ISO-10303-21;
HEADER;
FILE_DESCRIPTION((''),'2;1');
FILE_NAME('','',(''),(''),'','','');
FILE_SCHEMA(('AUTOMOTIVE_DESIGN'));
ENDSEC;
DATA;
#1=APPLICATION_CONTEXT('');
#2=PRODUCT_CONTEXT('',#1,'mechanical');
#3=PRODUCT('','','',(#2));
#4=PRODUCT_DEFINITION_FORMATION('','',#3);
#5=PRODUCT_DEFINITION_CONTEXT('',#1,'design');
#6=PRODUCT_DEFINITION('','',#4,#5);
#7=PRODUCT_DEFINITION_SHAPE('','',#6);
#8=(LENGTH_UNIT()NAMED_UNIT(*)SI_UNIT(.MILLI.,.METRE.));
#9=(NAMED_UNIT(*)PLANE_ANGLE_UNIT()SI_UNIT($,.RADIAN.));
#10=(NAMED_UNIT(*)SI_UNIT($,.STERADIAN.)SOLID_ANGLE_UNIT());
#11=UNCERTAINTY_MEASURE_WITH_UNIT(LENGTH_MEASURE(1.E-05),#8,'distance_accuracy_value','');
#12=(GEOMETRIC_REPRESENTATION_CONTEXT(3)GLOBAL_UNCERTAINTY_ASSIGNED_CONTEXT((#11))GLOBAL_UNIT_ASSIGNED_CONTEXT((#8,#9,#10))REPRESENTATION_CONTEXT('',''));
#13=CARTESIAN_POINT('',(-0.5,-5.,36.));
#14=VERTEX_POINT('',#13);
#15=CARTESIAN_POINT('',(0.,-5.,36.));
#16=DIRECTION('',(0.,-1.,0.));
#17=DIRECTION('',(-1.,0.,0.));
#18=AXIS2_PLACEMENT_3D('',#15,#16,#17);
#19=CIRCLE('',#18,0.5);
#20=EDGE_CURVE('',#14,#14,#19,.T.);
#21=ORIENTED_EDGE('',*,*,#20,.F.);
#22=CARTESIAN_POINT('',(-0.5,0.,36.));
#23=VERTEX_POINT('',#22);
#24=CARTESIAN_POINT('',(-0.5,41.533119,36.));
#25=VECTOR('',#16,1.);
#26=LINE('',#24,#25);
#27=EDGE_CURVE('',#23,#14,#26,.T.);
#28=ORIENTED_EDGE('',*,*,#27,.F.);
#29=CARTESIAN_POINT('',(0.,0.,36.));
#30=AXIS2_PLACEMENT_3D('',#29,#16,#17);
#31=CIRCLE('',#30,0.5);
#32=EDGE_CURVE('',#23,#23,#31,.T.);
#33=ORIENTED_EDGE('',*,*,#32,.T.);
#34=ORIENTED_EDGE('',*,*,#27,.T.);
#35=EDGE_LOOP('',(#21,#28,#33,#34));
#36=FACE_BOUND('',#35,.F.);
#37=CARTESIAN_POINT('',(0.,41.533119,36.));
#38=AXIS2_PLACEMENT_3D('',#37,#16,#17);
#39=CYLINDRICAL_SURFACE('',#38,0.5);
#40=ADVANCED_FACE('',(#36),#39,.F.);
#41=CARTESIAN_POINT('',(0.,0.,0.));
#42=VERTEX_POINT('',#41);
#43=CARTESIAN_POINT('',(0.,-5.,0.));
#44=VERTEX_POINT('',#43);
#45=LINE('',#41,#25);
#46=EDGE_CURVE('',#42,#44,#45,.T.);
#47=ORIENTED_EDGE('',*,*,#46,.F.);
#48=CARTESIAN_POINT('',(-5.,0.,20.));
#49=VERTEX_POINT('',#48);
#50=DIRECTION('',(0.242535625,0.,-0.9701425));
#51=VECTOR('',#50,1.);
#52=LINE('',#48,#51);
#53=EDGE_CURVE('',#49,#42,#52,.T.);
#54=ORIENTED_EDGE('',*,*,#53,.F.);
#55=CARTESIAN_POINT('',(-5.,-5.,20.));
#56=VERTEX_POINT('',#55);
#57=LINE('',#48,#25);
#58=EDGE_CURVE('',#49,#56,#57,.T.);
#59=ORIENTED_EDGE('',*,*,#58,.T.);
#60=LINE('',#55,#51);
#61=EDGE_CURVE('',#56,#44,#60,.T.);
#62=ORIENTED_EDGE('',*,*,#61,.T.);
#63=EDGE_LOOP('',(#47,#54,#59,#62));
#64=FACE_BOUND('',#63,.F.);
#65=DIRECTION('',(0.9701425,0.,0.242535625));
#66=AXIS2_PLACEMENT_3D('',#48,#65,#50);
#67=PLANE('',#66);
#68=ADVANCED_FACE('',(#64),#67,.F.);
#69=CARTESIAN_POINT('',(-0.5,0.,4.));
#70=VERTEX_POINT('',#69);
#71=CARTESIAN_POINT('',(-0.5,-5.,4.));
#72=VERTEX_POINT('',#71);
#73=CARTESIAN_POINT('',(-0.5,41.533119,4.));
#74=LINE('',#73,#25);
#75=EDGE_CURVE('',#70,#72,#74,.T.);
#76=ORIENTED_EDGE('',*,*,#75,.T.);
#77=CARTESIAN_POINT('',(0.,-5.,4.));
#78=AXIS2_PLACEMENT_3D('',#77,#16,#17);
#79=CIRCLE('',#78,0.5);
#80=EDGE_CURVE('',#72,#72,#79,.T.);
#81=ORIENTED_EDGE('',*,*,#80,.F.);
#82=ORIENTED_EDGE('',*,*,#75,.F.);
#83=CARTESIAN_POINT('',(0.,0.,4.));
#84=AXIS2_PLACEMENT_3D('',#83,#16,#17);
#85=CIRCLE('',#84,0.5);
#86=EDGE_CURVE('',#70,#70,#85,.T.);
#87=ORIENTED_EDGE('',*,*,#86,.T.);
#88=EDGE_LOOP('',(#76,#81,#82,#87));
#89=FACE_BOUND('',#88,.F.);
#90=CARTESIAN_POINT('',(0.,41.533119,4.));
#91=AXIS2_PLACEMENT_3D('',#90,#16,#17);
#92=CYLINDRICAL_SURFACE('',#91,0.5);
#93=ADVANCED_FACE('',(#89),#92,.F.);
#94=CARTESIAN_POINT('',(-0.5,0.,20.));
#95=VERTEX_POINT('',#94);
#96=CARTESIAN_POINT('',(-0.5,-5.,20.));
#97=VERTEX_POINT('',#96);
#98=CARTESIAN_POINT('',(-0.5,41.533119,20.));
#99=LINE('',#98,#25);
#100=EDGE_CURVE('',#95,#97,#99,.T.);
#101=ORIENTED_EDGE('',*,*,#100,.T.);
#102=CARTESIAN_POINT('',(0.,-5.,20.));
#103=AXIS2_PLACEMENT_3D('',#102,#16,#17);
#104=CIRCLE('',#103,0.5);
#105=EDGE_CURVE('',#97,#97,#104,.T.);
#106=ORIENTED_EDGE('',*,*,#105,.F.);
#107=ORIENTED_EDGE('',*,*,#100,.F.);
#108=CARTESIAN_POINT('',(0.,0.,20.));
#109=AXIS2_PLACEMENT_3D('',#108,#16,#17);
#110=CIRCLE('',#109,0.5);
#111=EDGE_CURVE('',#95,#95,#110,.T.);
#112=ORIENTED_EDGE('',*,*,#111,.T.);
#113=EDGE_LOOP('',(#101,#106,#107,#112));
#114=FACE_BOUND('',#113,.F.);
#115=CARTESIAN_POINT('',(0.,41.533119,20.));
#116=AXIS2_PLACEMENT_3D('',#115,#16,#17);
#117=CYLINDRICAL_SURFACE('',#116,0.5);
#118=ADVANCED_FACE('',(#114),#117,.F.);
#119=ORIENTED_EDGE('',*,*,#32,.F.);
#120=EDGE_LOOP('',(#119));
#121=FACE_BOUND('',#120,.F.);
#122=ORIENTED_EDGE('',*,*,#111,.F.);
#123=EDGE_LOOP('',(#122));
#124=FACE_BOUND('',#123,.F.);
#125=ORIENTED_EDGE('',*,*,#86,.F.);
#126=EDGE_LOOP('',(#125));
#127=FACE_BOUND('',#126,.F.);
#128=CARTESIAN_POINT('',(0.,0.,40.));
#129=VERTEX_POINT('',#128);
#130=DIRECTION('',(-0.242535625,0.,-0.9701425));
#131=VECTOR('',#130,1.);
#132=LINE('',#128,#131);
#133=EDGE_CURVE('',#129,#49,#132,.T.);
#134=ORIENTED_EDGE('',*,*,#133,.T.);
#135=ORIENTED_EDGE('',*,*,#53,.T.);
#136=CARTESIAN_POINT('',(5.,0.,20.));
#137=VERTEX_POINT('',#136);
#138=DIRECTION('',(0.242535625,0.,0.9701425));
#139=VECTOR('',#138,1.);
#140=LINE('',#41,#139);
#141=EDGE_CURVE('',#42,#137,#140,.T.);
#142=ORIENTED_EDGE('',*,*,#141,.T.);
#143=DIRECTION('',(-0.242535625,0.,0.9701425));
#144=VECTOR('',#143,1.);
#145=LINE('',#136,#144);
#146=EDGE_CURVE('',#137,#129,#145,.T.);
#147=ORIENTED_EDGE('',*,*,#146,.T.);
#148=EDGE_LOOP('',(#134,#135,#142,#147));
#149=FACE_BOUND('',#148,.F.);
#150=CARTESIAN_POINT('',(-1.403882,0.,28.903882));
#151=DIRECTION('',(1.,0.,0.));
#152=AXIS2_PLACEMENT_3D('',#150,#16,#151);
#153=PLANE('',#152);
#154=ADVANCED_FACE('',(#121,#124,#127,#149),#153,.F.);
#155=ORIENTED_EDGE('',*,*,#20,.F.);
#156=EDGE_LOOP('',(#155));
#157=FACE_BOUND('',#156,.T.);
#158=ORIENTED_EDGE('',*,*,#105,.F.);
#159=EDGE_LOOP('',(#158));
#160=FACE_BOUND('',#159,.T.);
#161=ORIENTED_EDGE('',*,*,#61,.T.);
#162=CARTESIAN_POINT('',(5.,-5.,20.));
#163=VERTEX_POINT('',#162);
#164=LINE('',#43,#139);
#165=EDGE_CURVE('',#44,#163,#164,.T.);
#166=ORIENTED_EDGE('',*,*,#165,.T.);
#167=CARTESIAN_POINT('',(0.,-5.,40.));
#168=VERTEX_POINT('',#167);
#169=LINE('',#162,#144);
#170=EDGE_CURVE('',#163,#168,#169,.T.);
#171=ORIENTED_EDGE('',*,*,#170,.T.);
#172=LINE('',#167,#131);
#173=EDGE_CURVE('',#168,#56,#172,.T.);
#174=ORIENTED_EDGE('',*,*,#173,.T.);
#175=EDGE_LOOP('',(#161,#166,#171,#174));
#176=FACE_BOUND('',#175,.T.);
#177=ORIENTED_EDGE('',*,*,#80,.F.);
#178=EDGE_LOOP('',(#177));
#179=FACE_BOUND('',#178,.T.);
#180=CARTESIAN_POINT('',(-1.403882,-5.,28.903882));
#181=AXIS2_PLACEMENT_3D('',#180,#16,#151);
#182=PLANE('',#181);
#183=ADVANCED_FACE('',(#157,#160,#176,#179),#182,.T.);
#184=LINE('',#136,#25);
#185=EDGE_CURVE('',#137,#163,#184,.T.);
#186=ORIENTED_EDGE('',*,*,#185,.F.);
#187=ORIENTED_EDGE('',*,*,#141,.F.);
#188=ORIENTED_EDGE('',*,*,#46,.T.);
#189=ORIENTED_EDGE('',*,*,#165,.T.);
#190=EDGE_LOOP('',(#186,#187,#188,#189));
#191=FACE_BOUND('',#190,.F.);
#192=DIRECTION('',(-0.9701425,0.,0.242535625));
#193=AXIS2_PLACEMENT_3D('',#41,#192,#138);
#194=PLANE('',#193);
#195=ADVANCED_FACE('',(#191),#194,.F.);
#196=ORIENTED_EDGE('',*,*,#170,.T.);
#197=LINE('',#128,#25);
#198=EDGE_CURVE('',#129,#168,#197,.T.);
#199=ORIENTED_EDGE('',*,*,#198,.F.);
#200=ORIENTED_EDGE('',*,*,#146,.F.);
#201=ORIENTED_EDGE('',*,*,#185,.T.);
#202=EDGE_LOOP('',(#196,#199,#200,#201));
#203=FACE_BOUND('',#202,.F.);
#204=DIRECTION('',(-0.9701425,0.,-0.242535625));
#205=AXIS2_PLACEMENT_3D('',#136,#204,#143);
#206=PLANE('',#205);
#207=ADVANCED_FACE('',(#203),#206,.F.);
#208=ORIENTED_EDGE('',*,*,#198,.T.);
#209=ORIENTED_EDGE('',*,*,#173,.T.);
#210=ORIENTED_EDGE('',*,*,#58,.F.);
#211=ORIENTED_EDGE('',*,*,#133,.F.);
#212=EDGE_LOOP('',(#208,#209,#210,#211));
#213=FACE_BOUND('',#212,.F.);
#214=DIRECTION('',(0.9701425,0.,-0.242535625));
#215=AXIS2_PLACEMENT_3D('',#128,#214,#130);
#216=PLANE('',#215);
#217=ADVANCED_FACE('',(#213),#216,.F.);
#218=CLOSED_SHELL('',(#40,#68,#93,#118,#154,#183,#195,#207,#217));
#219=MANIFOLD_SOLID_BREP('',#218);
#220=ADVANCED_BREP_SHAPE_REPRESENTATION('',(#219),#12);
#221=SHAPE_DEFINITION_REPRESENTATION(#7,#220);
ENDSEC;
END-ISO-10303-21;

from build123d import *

# Parameters (mm, degrees)
F1_DEPTH = 5
F2_D     = 1
F3_D     = 1


with BuildPart() as f1:
    # F0 (on Front) → F1 (new body)
    with BuildSketch(Plane.XZ):
        Polygon((-5, 20), (0, 20), (0, 40), align=None)
        Polygon((0, 20), (0, 0), (5, 20), align=None)
        Polygon((0, 40), (0, 20), (5, 20), align=None)
        Polygon((-5, 20), (0, 0), (0, 20), align=None)
    extrude(amount=F1_DEPTH)

    # F2 (through all)
    with Locations(Plane(origin=(0, 0, 0), x_dir=(1, 0, 0), z_dir=(0, 1, 0))):
        with Locations((0, -20)):
            Hole(F2_D / 2)

    # F3 (through all)
    with Locations(Plane(origin=(0, 0, 0), x_dir=(1, 0, 0), z_dir=(0, 1, 0))):
        with Locations((0, -4), (0, -36)):
            Hole(F3_D / 2)


solid = f1.part
